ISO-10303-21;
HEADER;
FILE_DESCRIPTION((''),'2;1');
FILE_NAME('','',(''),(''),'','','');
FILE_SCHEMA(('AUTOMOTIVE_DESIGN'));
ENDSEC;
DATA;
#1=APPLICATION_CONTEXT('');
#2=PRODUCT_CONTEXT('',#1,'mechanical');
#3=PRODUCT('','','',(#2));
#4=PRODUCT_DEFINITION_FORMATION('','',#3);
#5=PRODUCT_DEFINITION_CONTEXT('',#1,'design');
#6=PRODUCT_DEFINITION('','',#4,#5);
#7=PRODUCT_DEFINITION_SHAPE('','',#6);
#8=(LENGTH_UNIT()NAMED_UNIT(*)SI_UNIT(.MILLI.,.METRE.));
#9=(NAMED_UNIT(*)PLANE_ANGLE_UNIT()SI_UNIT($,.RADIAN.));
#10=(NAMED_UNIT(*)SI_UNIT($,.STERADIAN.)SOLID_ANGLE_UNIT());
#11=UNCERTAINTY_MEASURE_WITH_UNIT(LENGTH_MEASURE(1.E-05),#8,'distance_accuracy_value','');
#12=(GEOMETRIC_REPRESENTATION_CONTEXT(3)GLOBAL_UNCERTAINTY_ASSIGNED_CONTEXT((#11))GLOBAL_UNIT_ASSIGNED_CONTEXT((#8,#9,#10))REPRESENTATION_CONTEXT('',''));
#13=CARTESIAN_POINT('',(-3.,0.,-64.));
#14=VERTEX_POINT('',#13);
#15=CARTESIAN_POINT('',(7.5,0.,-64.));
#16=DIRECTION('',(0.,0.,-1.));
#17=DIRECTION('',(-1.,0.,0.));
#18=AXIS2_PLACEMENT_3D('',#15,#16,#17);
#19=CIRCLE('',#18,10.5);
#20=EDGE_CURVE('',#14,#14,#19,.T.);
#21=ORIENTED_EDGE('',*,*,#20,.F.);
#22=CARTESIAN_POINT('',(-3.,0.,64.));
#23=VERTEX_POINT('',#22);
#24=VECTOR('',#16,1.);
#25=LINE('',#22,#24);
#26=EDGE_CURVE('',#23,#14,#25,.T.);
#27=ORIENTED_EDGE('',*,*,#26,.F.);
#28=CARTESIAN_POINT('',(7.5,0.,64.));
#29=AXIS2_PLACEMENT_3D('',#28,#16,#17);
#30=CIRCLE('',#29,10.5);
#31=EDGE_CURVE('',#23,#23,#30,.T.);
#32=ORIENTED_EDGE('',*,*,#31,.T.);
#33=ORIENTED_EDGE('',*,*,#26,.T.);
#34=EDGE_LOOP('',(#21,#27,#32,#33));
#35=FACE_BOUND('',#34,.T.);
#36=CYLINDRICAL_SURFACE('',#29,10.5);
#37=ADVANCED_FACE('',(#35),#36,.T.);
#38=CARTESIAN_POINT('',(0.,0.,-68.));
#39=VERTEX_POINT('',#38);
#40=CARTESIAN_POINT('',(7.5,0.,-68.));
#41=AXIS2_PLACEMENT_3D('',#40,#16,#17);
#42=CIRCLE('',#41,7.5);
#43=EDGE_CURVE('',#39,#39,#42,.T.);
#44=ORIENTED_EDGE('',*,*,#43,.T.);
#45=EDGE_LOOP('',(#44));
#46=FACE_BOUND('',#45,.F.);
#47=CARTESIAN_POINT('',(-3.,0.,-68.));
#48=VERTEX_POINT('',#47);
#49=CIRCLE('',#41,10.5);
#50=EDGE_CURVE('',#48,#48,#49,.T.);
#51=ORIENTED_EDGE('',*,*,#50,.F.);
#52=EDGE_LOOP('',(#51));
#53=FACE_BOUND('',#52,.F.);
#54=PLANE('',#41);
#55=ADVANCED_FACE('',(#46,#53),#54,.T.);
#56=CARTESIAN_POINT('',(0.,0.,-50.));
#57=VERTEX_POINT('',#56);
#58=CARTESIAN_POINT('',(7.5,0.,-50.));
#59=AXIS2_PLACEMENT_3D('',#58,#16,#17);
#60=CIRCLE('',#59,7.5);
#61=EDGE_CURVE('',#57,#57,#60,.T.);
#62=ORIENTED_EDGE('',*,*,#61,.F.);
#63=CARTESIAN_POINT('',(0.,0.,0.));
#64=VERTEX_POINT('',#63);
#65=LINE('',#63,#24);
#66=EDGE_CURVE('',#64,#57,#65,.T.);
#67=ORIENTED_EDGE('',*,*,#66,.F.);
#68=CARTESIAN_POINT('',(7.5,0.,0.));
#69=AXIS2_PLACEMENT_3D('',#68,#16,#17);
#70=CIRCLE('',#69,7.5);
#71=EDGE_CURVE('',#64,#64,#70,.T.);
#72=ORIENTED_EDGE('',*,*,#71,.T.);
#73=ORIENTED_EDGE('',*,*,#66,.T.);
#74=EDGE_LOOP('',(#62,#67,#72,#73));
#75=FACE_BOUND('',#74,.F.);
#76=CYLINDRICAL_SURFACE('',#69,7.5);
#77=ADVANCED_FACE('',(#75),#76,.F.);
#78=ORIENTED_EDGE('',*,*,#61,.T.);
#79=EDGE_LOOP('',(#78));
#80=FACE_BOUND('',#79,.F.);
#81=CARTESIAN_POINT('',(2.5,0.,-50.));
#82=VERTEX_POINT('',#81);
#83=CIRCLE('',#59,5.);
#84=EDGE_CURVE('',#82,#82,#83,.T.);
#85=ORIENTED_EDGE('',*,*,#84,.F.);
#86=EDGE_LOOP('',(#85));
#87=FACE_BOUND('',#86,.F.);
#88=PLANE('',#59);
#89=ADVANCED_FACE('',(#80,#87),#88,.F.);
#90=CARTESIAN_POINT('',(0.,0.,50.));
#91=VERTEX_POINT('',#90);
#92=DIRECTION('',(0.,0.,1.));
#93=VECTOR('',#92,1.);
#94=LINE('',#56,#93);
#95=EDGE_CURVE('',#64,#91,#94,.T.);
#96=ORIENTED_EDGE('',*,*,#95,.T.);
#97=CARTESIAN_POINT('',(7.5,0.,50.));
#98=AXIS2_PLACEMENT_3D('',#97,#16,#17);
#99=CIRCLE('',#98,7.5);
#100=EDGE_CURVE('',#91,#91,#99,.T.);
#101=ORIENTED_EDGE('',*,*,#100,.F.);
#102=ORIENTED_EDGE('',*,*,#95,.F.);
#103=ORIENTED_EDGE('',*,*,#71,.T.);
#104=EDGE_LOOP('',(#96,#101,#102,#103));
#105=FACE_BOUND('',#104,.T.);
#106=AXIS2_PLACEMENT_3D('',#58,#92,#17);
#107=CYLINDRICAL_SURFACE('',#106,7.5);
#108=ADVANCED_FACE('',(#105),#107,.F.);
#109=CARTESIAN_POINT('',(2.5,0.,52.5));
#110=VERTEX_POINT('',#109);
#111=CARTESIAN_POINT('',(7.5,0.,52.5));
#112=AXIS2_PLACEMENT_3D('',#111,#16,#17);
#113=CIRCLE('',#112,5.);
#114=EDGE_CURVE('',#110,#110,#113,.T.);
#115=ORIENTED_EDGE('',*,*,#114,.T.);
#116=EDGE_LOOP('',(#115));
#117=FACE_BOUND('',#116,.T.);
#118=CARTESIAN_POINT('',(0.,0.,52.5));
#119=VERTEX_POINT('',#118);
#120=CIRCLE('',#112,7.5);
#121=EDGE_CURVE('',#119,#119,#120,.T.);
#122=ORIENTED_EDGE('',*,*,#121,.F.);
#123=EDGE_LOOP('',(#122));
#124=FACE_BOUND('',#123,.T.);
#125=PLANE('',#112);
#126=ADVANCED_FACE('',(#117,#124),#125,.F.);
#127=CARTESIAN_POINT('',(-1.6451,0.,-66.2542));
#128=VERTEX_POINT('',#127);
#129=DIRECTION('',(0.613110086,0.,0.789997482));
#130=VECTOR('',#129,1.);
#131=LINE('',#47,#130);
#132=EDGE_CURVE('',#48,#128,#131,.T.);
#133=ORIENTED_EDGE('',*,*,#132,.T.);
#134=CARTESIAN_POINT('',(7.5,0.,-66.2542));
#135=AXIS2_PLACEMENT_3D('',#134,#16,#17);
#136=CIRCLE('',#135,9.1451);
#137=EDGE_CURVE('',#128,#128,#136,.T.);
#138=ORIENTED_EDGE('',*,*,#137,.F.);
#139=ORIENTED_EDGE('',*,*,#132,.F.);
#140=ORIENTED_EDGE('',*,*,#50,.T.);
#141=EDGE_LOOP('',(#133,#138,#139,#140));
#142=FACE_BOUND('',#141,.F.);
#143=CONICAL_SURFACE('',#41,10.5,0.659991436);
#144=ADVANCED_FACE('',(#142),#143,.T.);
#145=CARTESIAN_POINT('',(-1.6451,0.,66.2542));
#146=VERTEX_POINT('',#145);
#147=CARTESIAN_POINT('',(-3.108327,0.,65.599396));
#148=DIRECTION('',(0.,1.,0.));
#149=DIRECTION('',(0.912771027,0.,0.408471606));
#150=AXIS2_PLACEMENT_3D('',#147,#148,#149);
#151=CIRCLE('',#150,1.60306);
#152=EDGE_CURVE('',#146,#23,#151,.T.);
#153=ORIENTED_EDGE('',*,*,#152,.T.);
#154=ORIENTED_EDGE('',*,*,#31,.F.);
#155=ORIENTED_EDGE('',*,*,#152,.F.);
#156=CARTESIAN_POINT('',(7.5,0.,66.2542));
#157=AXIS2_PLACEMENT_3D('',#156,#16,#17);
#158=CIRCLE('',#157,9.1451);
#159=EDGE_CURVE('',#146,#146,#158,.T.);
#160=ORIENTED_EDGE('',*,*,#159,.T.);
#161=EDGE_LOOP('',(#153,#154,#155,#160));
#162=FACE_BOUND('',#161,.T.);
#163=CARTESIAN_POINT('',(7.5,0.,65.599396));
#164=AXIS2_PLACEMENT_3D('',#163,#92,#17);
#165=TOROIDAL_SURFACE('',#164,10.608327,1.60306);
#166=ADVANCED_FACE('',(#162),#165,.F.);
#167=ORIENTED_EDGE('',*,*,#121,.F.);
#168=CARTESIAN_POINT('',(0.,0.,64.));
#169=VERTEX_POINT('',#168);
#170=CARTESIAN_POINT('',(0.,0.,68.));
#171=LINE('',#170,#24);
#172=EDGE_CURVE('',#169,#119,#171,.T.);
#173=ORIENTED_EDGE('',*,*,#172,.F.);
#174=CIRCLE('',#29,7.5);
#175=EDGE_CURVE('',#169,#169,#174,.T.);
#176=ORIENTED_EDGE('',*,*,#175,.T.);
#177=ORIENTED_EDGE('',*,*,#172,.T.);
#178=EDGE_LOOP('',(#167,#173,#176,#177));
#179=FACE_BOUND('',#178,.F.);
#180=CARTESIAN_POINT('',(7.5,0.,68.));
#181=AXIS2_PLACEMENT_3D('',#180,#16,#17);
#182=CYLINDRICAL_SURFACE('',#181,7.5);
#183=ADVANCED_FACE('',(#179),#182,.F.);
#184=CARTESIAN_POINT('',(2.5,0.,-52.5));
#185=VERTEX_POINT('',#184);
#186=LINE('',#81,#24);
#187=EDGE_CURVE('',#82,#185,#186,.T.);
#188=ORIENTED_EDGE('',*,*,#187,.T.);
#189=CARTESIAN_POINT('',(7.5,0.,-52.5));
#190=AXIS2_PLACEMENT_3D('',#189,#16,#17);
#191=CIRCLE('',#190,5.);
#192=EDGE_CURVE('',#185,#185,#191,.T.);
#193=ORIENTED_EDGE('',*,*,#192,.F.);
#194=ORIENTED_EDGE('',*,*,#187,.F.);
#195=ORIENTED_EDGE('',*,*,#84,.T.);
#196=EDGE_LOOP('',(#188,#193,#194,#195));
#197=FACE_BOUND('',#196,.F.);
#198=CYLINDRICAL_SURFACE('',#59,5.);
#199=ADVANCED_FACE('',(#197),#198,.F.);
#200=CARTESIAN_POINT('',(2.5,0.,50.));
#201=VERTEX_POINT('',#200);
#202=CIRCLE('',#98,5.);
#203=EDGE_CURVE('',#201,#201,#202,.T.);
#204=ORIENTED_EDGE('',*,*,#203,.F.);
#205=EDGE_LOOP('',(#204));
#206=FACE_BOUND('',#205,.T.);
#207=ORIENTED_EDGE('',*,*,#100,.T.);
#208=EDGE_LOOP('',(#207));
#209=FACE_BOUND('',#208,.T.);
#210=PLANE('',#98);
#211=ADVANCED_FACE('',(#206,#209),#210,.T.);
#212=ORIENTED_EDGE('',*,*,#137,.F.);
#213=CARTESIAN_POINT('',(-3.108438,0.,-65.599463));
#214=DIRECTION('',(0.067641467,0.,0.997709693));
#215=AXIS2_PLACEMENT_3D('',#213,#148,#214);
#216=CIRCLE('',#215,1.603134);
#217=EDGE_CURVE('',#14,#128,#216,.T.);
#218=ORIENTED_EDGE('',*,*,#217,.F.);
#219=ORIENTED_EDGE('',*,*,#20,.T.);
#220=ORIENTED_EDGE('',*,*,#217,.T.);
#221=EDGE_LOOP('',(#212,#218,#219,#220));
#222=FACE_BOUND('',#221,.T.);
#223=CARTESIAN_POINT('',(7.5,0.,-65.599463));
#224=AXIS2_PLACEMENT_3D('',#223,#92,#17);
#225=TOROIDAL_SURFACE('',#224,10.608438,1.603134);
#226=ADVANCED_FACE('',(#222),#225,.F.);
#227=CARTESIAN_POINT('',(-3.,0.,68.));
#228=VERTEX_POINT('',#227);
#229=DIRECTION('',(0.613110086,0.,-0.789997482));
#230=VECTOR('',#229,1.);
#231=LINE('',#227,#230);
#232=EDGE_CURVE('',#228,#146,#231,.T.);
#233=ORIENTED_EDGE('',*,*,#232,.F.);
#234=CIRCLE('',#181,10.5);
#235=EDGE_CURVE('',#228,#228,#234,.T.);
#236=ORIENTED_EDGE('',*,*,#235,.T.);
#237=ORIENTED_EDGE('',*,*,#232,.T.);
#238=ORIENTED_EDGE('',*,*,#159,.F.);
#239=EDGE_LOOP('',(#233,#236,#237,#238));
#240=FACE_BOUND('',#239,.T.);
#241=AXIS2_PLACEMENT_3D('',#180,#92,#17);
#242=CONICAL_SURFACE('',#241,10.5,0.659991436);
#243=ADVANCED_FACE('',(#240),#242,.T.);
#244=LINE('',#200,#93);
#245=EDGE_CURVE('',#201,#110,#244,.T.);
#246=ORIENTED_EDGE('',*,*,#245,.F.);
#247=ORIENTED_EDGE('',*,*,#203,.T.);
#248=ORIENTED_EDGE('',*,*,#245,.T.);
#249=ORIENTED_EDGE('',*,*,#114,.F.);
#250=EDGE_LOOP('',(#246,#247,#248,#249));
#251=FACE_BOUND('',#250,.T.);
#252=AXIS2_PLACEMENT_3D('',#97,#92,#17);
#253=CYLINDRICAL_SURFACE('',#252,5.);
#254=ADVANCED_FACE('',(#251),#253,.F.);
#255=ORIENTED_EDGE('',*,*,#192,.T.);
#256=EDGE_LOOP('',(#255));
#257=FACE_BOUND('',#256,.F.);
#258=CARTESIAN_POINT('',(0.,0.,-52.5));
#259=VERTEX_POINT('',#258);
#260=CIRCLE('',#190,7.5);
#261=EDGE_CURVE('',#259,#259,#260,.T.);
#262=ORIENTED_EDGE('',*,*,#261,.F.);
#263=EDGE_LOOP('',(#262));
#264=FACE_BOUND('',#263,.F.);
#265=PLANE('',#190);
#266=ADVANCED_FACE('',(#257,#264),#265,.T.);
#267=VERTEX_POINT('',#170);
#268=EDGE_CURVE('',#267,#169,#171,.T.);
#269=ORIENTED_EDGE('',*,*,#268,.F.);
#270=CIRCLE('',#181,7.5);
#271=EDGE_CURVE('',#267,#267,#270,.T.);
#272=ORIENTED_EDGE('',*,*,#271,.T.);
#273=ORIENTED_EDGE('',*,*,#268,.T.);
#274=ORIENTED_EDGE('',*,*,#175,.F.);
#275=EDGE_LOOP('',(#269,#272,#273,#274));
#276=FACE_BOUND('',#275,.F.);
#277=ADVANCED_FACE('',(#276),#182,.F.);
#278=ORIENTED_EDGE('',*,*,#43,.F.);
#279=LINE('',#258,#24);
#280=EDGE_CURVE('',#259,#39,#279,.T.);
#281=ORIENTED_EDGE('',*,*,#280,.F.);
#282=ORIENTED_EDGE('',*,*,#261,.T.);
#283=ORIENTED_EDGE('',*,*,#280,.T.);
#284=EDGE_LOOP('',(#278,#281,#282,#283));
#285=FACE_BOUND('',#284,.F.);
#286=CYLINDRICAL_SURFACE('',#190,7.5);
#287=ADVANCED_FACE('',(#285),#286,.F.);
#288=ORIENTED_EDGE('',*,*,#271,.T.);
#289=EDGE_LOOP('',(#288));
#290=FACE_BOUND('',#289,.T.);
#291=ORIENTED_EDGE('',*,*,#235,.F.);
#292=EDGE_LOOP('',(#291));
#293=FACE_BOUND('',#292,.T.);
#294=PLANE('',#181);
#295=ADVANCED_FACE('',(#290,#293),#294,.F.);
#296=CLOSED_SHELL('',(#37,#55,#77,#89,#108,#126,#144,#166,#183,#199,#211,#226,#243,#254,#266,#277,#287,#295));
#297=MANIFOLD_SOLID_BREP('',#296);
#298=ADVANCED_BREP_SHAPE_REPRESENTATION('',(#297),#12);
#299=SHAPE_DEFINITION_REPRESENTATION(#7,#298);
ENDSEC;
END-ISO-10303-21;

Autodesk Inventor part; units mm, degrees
ref_plane "YZ Plane" through (0, 0, 0) normal (1, 0, 0) x (0, 1, 0)
ref_plane "XZ Plane" through (0, 0, 0) normal (0, 1, 0) x (-1, 0, 0)
ref_plane "XY Plane" through (0, 0, 0) normal (0, 0, 1) x (1, 0, 0)
sketch "Sketch1" plane through (0, 0, 0) normal (0, 1, 0) x (-1, 0, 0)
  line L0 (0, 68) -> (3, 68)
  line L1 (0, -68) -> (3, -68)
  line L2 (3, 64) -> (3, -64)
  line L3 (3, 68) -> (1.6451, 66.2542)
  arc A0 (1.6451, 66.2542) -> (3, 64) centre (3.1084, 65.5994) ccw
  line L4 (3, -68) -> (1.6451, -66.2542)
  arc A1 (3, -64) -> (1.6451, -66.2542) centre (3.1084, -65.5994) ccw
  line L5 (-7.5, 68) -> (-7.5, -52.2405)
  line L6 (0, 0) -> (0, -50)
  line L7 (0, -50) -> (0, 50)
  line L8 (0, -50) -> (-2.5, -50)
  line L9 (-2.5, -50) -> (-2.5, -52.5)
  line L10 (0, 50) -> (-2.5, 50)
  line L11 (-2.5, 50) -> (-2.5, 52.5)
  line L12 (-2.5, 52.5) -> (0, 52.5)
  line L13 (0, 68) -> (0, 52.5)
  line L14 (0, 50) -> (0, -50)
  line L15 (0, 0) -> (0, 50)
  line L16 (0, 52.5) -> (0, 64)
  line L17 (-2.5, -52.5) -> (0, -52.5)
  line L18 (0, -52.5) -> (0, -68)
  point P0 (-3, -64)
  dimension "d15" = 3
  dimension "d16" = 7.5
revolve "Revolution1" add sketch "Sketch1" angle 360 about axis through (7.5, 0, 68) along (0, 0, -1)
properties part number "cilindar" material "Aluminum 6061-AHC"
